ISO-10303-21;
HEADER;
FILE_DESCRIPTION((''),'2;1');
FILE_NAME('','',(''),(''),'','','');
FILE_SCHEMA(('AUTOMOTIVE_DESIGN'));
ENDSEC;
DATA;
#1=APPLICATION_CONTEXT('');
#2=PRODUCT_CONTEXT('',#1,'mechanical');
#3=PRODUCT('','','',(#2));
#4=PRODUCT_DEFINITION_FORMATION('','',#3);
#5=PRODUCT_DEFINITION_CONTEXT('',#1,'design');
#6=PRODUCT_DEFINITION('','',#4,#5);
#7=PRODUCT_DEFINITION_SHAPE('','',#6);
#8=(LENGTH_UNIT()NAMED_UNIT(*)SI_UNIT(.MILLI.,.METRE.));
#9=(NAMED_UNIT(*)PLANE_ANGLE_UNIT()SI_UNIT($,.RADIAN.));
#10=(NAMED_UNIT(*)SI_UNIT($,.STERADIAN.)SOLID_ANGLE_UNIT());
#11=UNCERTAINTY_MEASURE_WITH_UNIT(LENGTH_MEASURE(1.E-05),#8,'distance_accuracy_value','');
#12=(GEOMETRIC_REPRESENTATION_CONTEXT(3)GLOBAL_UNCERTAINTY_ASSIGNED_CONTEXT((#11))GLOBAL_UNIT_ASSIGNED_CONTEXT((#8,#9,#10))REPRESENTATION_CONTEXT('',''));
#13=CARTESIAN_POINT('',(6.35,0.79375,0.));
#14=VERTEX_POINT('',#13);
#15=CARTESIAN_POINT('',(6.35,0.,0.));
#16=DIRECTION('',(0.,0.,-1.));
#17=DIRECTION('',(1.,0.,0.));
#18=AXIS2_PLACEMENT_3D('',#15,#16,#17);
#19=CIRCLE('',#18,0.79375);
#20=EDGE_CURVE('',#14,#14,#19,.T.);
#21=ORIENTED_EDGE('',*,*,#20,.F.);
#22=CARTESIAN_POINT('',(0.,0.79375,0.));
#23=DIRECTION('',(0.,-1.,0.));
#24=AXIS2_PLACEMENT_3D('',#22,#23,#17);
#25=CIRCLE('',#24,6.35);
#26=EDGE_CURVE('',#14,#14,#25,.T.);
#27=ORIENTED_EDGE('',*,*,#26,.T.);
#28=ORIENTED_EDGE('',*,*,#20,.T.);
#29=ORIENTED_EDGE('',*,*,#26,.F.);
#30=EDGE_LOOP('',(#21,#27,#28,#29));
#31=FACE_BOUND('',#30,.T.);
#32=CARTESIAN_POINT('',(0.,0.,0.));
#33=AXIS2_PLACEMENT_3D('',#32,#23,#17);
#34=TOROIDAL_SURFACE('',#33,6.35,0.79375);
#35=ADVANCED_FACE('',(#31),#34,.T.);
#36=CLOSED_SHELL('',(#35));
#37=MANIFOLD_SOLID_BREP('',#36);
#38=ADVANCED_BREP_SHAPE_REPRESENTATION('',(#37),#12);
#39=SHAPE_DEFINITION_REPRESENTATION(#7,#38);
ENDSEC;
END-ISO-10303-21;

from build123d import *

# Parameters (mm, degrees)
F1_R = 0.79375


with BuildPart() as f2:
    # F2: sweep along a path in F0
    with BuildLine(Plane.XZ) as f2_path:
        CenterArc((0, 0), 6.35, 0, 360)
    # F1 (on Right) → F2 (sweep)
    with BuildSketch(Plane.YZ):
        with Locations((0, 6.35)):
            Circle(F1_R)
    sweep(path=f2_path.line)


solid = f2.part
